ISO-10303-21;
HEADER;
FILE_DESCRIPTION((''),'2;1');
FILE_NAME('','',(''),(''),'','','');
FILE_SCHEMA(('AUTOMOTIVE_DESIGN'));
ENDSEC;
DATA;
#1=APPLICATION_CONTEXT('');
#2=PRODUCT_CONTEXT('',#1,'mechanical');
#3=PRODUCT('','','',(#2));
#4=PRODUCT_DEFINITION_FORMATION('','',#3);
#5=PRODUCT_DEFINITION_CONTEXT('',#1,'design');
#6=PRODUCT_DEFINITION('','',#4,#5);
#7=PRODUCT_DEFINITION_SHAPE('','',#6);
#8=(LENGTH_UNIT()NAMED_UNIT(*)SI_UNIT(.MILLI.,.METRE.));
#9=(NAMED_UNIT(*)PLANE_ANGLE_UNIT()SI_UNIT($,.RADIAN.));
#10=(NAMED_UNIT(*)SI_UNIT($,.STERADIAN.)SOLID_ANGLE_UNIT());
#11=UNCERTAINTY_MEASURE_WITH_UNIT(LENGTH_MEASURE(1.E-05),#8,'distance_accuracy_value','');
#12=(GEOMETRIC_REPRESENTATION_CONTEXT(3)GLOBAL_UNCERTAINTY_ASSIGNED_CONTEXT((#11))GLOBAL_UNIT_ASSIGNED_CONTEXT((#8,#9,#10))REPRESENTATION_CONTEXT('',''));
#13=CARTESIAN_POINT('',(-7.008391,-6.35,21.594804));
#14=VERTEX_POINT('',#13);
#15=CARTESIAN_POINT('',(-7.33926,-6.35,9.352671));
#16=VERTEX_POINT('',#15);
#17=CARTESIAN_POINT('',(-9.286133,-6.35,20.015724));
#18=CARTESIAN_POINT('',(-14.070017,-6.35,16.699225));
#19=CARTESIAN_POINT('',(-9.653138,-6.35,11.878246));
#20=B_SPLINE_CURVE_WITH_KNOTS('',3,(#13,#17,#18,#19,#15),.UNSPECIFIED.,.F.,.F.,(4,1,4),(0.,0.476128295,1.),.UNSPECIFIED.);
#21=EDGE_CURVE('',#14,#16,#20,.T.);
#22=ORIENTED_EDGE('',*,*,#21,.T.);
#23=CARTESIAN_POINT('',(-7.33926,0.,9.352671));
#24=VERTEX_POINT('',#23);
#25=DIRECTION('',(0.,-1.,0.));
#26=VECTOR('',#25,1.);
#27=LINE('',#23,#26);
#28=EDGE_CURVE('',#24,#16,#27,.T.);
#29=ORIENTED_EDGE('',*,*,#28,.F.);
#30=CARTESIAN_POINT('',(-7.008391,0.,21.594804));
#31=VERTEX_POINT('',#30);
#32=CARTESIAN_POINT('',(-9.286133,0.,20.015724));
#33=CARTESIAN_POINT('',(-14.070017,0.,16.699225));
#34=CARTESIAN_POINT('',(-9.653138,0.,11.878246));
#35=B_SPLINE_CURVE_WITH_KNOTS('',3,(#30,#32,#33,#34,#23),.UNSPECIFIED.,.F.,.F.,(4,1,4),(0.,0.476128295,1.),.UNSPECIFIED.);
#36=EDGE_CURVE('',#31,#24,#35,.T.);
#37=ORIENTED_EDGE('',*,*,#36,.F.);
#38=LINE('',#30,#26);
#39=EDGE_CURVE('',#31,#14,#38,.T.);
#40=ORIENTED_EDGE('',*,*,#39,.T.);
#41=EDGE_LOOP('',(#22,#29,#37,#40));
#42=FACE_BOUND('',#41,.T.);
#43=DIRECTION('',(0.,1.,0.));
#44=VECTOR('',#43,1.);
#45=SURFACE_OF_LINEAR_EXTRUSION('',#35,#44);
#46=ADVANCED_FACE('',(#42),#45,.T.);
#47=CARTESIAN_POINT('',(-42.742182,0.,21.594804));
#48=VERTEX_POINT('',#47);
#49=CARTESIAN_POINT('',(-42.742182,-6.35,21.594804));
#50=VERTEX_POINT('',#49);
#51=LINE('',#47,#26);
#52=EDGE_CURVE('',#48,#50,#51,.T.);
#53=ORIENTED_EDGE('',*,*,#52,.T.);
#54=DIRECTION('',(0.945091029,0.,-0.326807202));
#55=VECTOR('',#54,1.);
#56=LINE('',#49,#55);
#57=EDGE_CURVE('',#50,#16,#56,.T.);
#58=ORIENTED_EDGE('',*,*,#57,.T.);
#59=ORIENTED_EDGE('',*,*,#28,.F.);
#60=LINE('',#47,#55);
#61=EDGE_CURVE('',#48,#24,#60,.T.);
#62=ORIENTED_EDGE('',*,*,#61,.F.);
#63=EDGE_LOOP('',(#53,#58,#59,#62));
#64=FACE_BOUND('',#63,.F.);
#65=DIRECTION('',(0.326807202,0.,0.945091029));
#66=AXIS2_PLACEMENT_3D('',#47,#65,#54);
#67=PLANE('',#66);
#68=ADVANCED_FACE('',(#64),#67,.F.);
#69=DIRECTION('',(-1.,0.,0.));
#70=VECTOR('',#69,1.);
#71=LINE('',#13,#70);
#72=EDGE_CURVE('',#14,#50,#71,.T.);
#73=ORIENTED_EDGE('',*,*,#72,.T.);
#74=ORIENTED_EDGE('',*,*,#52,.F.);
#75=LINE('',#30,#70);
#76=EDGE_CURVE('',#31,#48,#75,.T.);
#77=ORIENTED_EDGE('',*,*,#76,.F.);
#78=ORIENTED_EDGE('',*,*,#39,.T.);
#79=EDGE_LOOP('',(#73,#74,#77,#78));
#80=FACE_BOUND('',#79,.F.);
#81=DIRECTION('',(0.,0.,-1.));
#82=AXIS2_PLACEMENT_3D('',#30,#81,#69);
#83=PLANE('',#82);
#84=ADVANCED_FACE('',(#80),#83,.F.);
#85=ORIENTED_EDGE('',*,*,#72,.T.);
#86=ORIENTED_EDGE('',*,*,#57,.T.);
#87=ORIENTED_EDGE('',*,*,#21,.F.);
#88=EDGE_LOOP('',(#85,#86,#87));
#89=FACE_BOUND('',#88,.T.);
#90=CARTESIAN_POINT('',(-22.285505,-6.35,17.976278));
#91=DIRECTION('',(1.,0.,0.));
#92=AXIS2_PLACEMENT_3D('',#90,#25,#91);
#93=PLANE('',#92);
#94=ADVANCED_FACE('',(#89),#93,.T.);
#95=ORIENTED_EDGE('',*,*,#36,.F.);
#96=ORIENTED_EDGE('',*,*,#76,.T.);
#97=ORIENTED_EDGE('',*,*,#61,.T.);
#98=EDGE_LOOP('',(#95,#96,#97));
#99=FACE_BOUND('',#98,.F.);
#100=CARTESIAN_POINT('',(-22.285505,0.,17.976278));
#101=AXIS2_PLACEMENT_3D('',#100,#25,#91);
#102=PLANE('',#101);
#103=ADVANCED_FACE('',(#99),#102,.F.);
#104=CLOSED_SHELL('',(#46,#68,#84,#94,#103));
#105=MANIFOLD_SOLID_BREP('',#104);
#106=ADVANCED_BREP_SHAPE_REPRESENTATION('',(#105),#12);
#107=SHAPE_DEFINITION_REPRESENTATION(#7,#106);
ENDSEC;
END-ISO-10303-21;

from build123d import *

# Parameters (mm, degrees)
F1_DEPTH = 6.35


with BuildPart() as f1:
    # F0 (on Front) → F1 (new body)
    with BuildSketch(Plane.XZ):
        with BuildLine():
            Line((-7.0083905011, 21.5948037803), (-42.7421815693, 21.5948037803))
            Line((-42.7421815693, 21.5948037803), (-7.3392596096, 9.3526709825))
            add(Edge.make_bspline(
                [(-7.0083905011, 21.5948037803), (-9.2861331211, 20.0157243966), (-14.0700173079, 16.6992246187), (-9.6531378062, 11.8782455227), (-7.3392596096, 9.3526709825)],
                knots=[0, 0, 0, 0, 0.4761282947, 1, 1, 1, 1], degree=3))
        make_face()
    extrude(amount=F1_DEPTH)


solid = f1.part
